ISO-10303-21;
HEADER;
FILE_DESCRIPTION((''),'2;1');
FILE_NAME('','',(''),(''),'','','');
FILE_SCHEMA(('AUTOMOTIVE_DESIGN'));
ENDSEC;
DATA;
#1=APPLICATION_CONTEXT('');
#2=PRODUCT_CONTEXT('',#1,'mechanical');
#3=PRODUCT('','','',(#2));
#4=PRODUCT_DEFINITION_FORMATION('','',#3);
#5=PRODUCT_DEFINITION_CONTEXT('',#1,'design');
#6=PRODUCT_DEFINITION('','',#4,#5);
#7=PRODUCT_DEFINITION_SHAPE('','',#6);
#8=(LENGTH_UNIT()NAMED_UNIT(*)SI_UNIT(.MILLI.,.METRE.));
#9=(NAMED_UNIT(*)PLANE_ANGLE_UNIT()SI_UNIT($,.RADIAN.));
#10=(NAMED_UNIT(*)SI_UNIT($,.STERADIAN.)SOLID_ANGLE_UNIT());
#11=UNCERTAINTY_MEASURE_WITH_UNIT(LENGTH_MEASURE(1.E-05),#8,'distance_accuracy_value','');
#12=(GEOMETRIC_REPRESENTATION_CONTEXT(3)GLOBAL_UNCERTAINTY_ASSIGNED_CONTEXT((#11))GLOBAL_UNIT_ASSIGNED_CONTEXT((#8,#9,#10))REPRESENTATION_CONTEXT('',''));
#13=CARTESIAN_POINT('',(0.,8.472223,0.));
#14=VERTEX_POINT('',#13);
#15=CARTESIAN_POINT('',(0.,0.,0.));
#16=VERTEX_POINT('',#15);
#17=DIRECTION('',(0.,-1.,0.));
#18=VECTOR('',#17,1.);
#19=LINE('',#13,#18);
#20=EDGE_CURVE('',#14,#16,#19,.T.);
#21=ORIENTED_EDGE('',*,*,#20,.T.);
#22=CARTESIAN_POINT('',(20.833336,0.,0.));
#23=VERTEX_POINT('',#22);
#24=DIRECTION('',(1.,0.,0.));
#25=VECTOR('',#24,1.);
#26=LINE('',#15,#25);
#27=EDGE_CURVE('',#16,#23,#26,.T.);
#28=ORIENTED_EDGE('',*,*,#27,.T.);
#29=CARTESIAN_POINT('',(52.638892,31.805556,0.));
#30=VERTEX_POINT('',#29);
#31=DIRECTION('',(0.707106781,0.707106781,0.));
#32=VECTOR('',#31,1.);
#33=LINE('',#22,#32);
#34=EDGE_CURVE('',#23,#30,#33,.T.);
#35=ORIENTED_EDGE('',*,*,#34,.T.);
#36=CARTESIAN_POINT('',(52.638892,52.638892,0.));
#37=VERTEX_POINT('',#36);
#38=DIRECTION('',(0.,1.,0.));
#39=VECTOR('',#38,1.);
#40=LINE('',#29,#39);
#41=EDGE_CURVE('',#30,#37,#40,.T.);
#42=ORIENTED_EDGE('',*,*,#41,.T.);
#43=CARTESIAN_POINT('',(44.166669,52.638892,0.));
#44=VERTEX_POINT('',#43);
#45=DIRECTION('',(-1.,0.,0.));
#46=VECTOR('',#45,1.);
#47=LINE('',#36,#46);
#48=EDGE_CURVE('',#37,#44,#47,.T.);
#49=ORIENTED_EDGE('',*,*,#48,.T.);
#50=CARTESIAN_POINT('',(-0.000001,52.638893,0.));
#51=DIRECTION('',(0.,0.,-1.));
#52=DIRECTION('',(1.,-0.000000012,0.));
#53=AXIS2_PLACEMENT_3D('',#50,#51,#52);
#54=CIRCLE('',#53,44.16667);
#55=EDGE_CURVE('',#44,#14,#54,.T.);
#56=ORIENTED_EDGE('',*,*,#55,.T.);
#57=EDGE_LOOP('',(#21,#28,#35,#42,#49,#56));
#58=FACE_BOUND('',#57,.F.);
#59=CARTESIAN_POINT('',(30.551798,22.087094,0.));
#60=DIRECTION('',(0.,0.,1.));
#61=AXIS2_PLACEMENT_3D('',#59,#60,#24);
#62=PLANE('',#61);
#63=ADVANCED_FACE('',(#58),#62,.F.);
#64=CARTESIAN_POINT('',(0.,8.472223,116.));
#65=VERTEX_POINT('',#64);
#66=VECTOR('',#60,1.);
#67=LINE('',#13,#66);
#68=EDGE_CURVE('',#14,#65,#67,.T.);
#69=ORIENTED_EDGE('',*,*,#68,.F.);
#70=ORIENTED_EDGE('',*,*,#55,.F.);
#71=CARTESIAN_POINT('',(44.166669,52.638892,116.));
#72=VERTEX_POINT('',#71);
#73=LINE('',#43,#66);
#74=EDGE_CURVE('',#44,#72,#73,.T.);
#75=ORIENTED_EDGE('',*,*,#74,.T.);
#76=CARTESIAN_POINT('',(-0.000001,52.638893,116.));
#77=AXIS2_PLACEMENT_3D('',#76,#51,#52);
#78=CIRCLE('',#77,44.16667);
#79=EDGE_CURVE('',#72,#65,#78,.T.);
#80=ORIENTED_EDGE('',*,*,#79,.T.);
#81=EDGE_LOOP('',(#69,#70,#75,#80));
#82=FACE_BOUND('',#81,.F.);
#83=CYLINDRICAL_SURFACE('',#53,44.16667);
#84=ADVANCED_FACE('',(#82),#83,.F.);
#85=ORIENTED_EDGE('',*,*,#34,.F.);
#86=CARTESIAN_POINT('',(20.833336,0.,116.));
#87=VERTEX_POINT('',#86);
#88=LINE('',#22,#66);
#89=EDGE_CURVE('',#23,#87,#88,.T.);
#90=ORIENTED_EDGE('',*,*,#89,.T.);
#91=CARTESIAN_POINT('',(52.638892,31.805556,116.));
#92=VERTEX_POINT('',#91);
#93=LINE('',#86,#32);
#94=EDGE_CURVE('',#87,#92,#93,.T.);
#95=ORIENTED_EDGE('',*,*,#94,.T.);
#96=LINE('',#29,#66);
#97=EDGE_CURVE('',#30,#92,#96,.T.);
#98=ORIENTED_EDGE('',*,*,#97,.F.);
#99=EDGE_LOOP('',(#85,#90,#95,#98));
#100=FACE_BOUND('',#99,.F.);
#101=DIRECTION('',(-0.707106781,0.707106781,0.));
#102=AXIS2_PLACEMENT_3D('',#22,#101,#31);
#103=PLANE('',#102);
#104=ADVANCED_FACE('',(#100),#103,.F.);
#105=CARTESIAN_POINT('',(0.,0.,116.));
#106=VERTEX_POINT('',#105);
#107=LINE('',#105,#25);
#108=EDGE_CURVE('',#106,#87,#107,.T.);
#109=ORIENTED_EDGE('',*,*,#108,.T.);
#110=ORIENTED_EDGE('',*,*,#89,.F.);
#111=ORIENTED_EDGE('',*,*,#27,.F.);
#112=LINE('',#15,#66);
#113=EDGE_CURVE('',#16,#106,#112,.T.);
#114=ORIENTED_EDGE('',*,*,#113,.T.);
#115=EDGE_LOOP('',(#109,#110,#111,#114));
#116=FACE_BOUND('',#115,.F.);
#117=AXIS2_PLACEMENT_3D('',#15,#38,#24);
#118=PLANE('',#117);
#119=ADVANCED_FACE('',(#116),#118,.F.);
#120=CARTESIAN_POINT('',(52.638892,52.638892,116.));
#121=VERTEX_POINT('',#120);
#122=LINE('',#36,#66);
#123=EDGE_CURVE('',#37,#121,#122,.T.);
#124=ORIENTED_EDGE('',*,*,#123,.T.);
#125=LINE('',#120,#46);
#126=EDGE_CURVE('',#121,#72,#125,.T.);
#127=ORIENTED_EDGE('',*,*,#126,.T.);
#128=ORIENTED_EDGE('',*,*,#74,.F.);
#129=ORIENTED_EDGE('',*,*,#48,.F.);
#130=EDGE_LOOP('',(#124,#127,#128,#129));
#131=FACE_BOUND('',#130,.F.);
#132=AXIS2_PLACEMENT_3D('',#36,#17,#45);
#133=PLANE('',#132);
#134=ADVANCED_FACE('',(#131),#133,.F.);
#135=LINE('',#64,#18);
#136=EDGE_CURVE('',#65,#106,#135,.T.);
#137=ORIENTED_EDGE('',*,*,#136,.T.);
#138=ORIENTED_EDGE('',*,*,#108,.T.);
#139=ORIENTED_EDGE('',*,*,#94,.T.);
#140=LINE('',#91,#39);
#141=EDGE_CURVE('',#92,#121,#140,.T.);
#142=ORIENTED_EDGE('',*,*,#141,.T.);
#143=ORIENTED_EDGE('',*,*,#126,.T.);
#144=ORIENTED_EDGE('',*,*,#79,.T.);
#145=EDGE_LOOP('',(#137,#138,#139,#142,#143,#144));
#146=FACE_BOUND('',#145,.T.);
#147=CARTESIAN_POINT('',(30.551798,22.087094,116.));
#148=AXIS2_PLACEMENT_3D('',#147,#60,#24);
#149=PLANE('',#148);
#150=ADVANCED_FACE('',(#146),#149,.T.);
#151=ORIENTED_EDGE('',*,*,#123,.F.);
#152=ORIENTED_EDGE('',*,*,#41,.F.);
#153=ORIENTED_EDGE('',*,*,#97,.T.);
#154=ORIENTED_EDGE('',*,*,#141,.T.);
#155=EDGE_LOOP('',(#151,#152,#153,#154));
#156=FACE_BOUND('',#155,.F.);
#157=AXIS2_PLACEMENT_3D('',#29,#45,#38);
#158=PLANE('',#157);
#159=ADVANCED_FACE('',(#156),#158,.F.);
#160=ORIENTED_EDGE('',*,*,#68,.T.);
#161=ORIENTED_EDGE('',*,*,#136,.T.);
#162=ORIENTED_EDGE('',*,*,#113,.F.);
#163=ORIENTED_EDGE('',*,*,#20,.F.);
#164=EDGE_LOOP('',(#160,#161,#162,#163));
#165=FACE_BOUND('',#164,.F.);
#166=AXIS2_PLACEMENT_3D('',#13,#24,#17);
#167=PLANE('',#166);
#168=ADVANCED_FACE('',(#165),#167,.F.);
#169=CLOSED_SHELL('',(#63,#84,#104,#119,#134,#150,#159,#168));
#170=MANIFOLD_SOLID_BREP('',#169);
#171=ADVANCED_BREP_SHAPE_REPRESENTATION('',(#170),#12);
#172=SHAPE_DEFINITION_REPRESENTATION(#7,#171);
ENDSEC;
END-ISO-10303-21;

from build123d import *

# Parameters (mm, degrees)
F1_DEPTH = 116


with BuildPart() as f1:
    # F0 (on Top) → F1 (new body)
    with BuildSketch(Plane.XY):
        with BuildLine():
            Line((0, 8.472223), (0, 0))
            Line((0, 0), (20.833336, 0))
            Line((20.833336, 0), (52.638892, 31.805556))
            Line((52.638892, 31.805556), (52.638892, 52.638892))
            Line((52.638892, 52.638892), (44.166669, 52.638892))
            ThreePointArc((44.166669, 52.638892), (31.230551, 21.408341), (0, 8.472223))
        make_face()
    extrude(amount=F1_DEPTH)


solid = f1.part
